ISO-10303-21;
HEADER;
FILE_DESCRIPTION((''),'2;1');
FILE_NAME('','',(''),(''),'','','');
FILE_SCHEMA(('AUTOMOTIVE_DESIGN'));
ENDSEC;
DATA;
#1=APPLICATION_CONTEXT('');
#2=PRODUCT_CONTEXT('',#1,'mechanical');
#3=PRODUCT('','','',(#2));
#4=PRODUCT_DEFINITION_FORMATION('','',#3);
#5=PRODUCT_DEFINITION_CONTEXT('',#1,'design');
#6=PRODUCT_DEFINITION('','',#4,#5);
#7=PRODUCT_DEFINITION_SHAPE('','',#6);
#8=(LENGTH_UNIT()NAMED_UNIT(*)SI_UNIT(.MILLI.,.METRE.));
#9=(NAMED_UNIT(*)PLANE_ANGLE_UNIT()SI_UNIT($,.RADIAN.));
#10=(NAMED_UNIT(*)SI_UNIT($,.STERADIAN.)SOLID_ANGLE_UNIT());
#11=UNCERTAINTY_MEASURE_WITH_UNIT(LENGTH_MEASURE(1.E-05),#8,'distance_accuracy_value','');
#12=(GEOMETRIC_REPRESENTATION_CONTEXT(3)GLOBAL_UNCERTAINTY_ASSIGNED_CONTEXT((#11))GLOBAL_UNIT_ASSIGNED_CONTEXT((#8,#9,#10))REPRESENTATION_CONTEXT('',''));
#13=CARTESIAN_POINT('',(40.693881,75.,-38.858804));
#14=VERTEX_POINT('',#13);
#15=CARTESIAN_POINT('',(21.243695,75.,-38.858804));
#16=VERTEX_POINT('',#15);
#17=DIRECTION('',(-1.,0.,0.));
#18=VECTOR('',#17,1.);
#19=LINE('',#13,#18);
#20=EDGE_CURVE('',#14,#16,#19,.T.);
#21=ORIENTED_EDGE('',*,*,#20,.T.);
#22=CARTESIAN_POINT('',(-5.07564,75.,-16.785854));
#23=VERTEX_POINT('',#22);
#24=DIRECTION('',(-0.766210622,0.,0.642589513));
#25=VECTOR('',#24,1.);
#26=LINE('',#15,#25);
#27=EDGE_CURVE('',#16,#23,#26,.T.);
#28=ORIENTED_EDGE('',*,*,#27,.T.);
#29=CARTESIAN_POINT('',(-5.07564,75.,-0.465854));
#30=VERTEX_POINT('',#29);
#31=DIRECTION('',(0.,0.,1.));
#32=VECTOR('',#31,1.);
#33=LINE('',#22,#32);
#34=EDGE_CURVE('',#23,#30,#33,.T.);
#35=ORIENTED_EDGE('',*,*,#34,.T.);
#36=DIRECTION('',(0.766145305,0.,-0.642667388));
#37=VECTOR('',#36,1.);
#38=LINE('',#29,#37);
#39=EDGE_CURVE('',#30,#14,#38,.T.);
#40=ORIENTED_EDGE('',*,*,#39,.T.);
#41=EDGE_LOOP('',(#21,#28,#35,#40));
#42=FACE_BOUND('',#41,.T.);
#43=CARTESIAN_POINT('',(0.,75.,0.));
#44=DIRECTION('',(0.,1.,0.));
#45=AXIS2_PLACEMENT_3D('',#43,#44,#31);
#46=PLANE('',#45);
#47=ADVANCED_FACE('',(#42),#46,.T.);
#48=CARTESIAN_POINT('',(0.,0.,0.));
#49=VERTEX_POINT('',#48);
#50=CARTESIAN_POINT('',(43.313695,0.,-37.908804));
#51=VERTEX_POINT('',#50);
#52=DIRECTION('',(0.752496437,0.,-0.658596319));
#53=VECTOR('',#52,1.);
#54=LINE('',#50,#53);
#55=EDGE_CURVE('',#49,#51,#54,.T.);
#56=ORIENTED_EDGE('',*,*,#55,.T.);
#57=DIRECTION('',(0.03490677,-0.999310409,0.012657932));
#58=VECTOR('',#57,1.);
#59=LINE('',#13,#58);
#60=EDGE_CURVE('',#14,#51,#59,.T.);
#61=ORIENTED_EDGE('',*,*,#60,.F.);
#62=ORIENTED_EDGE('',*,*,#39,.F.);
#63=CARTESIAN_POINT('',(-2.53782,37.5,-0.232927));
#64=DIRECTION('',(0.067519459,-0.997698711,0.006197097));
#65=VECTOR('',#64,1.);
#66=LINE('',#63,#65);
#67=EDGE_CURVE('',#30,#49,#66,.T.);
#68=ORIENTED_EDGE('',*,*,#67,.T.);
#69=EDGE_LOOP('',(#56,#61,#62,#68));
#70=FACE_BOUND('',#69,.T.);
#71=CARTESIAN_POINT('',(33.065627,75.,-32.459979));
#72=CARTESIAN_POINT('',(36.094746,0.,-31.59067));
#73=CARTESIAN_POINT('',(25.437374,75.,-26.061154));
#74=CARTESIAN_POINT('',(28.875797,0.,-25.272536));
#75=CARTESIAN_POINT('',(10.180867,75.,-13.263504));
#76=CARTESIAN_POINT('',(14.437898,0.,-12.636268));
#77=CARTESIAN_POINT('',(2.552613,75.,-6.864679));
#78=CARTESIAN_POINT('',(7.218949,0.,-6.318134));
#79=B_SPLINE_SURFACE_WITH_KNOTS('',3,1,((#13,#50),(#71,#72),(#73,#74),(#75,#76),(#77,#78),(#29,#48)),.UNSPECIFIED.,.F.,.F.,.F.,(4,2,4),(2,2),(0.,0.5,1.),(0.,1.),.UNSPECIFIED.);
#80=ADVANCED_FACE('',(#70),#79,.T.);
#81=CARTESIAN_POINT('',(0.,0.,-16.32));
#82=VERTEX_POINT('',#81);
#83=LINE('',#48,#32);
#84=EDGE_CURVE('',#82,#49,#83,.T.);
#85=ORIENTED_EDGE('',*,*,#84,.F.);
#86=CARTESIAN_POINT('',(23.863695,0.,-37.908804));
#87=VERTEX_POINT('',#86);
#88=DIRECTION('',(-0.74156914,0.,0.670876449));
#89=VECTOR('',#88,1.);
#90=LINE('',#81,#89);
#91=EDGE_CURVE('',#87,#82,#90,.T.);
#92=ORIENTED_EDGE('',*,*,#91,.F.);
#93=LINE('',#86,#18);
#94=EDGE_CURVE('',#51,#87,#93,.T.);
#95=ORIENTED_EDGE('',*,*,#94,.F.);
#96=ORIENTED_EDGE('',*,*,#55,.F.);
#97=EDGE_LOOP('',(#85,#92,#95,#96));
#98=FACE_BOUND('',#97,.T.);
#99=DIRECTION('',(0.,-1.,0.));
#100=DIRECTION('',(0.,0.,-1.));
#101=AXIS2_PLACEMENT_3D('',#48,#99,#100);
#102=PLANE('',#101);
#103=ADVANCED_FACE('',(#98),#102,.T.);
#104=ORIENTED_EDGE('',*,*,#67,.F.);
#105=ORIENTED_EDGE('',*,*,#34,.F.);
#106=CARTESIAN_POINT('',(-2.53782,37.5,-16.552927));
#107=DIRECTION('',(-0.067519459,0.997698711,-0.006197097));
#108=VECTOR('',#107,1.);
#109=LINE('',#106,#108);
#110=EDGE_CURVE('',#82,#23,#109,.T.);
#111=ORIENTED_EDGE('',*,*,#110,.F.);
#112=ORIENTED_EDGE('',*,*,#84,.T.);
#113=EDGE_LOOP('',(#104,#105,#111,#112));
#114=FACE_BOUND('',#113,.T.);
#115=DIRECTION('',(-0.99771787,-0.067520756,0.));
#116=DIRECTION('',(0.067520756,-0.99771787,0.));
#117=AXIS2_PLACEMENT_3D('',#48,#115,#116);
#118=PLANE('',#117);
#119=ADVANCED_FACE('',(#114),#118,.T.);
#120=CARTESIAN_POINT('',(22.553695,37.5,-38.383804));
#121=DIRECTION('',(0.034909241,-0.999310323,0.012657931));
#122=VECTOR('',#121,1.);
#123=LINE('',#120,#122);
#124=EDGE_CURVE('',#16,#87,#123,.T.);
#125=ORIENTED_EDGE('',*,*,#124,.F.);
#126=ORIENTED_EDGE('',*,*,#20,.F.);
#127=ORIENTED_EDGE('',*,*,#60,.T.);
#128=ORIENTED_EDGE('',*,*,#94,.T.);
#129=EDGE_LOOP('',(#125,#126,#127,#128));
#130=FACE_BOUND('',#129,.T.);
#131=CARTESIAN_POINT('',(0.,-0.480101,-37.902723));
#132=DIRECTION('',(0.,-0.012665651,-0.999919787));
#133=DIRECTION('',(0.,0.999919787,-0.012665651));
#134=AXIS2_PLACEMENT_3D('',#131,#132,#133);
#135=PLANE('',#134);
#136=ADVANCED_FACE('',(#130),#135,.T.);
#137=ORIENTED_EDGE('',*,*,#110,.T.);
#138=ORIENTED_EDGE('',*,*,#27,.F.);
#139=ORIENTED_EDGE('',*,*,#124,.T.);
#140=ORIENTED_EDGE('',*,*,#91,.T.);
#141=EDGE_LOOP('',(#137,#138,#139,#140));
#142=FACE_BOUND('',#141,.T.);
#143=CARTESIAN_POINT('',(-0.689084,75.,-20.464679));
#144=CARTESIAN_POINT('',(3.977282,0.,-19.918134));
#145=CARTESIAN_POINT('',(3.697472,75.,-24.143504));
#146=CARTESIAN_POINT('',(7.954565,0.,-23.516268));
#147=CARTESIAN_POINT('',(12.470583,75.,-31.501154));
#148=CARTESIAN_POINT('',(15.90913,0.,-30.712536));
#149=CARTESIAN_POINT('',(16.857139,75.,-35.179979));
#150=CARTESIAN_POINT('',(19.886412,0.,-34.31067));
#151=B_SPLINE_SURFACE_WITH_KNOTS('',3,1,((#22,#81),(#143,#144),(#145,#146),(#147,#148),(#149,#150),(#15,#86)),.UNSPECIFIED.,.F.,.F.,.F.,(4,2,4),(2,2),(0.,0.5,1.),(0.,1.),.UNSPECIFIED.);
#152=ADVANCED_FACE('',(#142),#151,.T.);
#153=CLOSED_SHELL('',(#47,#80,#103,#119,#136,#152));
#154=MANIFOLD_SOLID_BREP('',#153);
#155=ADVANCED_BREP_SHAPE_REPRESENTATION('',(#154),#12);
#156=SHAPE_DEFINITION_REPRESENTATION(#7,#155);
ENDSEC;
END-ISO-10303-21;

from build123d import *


with BuildPart() as part:
    # Croquis2 → Recubrir1 section 0
    with BuildSketch(Plane(origin=(0, 75, 0), x_dir=(1, 0, 0), z_dir=(0, 1, 0))):
        Polygon((40.693880572, 38.858804133), (21.243694938, 38.858804133), (-5.075639943, 16.785854366), (-5.075639943, 0.465854366), align=None)
    # Croquis1 → Recubrir1 section 1
    with BuildSketch(Plane(origin=(0, 0, 0), x_dir=(1, 0, 0), z_dir=(0, 1, 0))):
        Polygon((0, 0), (0, 16.32), (23.863694938, 37.908804133), (43.313694938, 37.908804133), align=None)
    loft()


solid = part.part
